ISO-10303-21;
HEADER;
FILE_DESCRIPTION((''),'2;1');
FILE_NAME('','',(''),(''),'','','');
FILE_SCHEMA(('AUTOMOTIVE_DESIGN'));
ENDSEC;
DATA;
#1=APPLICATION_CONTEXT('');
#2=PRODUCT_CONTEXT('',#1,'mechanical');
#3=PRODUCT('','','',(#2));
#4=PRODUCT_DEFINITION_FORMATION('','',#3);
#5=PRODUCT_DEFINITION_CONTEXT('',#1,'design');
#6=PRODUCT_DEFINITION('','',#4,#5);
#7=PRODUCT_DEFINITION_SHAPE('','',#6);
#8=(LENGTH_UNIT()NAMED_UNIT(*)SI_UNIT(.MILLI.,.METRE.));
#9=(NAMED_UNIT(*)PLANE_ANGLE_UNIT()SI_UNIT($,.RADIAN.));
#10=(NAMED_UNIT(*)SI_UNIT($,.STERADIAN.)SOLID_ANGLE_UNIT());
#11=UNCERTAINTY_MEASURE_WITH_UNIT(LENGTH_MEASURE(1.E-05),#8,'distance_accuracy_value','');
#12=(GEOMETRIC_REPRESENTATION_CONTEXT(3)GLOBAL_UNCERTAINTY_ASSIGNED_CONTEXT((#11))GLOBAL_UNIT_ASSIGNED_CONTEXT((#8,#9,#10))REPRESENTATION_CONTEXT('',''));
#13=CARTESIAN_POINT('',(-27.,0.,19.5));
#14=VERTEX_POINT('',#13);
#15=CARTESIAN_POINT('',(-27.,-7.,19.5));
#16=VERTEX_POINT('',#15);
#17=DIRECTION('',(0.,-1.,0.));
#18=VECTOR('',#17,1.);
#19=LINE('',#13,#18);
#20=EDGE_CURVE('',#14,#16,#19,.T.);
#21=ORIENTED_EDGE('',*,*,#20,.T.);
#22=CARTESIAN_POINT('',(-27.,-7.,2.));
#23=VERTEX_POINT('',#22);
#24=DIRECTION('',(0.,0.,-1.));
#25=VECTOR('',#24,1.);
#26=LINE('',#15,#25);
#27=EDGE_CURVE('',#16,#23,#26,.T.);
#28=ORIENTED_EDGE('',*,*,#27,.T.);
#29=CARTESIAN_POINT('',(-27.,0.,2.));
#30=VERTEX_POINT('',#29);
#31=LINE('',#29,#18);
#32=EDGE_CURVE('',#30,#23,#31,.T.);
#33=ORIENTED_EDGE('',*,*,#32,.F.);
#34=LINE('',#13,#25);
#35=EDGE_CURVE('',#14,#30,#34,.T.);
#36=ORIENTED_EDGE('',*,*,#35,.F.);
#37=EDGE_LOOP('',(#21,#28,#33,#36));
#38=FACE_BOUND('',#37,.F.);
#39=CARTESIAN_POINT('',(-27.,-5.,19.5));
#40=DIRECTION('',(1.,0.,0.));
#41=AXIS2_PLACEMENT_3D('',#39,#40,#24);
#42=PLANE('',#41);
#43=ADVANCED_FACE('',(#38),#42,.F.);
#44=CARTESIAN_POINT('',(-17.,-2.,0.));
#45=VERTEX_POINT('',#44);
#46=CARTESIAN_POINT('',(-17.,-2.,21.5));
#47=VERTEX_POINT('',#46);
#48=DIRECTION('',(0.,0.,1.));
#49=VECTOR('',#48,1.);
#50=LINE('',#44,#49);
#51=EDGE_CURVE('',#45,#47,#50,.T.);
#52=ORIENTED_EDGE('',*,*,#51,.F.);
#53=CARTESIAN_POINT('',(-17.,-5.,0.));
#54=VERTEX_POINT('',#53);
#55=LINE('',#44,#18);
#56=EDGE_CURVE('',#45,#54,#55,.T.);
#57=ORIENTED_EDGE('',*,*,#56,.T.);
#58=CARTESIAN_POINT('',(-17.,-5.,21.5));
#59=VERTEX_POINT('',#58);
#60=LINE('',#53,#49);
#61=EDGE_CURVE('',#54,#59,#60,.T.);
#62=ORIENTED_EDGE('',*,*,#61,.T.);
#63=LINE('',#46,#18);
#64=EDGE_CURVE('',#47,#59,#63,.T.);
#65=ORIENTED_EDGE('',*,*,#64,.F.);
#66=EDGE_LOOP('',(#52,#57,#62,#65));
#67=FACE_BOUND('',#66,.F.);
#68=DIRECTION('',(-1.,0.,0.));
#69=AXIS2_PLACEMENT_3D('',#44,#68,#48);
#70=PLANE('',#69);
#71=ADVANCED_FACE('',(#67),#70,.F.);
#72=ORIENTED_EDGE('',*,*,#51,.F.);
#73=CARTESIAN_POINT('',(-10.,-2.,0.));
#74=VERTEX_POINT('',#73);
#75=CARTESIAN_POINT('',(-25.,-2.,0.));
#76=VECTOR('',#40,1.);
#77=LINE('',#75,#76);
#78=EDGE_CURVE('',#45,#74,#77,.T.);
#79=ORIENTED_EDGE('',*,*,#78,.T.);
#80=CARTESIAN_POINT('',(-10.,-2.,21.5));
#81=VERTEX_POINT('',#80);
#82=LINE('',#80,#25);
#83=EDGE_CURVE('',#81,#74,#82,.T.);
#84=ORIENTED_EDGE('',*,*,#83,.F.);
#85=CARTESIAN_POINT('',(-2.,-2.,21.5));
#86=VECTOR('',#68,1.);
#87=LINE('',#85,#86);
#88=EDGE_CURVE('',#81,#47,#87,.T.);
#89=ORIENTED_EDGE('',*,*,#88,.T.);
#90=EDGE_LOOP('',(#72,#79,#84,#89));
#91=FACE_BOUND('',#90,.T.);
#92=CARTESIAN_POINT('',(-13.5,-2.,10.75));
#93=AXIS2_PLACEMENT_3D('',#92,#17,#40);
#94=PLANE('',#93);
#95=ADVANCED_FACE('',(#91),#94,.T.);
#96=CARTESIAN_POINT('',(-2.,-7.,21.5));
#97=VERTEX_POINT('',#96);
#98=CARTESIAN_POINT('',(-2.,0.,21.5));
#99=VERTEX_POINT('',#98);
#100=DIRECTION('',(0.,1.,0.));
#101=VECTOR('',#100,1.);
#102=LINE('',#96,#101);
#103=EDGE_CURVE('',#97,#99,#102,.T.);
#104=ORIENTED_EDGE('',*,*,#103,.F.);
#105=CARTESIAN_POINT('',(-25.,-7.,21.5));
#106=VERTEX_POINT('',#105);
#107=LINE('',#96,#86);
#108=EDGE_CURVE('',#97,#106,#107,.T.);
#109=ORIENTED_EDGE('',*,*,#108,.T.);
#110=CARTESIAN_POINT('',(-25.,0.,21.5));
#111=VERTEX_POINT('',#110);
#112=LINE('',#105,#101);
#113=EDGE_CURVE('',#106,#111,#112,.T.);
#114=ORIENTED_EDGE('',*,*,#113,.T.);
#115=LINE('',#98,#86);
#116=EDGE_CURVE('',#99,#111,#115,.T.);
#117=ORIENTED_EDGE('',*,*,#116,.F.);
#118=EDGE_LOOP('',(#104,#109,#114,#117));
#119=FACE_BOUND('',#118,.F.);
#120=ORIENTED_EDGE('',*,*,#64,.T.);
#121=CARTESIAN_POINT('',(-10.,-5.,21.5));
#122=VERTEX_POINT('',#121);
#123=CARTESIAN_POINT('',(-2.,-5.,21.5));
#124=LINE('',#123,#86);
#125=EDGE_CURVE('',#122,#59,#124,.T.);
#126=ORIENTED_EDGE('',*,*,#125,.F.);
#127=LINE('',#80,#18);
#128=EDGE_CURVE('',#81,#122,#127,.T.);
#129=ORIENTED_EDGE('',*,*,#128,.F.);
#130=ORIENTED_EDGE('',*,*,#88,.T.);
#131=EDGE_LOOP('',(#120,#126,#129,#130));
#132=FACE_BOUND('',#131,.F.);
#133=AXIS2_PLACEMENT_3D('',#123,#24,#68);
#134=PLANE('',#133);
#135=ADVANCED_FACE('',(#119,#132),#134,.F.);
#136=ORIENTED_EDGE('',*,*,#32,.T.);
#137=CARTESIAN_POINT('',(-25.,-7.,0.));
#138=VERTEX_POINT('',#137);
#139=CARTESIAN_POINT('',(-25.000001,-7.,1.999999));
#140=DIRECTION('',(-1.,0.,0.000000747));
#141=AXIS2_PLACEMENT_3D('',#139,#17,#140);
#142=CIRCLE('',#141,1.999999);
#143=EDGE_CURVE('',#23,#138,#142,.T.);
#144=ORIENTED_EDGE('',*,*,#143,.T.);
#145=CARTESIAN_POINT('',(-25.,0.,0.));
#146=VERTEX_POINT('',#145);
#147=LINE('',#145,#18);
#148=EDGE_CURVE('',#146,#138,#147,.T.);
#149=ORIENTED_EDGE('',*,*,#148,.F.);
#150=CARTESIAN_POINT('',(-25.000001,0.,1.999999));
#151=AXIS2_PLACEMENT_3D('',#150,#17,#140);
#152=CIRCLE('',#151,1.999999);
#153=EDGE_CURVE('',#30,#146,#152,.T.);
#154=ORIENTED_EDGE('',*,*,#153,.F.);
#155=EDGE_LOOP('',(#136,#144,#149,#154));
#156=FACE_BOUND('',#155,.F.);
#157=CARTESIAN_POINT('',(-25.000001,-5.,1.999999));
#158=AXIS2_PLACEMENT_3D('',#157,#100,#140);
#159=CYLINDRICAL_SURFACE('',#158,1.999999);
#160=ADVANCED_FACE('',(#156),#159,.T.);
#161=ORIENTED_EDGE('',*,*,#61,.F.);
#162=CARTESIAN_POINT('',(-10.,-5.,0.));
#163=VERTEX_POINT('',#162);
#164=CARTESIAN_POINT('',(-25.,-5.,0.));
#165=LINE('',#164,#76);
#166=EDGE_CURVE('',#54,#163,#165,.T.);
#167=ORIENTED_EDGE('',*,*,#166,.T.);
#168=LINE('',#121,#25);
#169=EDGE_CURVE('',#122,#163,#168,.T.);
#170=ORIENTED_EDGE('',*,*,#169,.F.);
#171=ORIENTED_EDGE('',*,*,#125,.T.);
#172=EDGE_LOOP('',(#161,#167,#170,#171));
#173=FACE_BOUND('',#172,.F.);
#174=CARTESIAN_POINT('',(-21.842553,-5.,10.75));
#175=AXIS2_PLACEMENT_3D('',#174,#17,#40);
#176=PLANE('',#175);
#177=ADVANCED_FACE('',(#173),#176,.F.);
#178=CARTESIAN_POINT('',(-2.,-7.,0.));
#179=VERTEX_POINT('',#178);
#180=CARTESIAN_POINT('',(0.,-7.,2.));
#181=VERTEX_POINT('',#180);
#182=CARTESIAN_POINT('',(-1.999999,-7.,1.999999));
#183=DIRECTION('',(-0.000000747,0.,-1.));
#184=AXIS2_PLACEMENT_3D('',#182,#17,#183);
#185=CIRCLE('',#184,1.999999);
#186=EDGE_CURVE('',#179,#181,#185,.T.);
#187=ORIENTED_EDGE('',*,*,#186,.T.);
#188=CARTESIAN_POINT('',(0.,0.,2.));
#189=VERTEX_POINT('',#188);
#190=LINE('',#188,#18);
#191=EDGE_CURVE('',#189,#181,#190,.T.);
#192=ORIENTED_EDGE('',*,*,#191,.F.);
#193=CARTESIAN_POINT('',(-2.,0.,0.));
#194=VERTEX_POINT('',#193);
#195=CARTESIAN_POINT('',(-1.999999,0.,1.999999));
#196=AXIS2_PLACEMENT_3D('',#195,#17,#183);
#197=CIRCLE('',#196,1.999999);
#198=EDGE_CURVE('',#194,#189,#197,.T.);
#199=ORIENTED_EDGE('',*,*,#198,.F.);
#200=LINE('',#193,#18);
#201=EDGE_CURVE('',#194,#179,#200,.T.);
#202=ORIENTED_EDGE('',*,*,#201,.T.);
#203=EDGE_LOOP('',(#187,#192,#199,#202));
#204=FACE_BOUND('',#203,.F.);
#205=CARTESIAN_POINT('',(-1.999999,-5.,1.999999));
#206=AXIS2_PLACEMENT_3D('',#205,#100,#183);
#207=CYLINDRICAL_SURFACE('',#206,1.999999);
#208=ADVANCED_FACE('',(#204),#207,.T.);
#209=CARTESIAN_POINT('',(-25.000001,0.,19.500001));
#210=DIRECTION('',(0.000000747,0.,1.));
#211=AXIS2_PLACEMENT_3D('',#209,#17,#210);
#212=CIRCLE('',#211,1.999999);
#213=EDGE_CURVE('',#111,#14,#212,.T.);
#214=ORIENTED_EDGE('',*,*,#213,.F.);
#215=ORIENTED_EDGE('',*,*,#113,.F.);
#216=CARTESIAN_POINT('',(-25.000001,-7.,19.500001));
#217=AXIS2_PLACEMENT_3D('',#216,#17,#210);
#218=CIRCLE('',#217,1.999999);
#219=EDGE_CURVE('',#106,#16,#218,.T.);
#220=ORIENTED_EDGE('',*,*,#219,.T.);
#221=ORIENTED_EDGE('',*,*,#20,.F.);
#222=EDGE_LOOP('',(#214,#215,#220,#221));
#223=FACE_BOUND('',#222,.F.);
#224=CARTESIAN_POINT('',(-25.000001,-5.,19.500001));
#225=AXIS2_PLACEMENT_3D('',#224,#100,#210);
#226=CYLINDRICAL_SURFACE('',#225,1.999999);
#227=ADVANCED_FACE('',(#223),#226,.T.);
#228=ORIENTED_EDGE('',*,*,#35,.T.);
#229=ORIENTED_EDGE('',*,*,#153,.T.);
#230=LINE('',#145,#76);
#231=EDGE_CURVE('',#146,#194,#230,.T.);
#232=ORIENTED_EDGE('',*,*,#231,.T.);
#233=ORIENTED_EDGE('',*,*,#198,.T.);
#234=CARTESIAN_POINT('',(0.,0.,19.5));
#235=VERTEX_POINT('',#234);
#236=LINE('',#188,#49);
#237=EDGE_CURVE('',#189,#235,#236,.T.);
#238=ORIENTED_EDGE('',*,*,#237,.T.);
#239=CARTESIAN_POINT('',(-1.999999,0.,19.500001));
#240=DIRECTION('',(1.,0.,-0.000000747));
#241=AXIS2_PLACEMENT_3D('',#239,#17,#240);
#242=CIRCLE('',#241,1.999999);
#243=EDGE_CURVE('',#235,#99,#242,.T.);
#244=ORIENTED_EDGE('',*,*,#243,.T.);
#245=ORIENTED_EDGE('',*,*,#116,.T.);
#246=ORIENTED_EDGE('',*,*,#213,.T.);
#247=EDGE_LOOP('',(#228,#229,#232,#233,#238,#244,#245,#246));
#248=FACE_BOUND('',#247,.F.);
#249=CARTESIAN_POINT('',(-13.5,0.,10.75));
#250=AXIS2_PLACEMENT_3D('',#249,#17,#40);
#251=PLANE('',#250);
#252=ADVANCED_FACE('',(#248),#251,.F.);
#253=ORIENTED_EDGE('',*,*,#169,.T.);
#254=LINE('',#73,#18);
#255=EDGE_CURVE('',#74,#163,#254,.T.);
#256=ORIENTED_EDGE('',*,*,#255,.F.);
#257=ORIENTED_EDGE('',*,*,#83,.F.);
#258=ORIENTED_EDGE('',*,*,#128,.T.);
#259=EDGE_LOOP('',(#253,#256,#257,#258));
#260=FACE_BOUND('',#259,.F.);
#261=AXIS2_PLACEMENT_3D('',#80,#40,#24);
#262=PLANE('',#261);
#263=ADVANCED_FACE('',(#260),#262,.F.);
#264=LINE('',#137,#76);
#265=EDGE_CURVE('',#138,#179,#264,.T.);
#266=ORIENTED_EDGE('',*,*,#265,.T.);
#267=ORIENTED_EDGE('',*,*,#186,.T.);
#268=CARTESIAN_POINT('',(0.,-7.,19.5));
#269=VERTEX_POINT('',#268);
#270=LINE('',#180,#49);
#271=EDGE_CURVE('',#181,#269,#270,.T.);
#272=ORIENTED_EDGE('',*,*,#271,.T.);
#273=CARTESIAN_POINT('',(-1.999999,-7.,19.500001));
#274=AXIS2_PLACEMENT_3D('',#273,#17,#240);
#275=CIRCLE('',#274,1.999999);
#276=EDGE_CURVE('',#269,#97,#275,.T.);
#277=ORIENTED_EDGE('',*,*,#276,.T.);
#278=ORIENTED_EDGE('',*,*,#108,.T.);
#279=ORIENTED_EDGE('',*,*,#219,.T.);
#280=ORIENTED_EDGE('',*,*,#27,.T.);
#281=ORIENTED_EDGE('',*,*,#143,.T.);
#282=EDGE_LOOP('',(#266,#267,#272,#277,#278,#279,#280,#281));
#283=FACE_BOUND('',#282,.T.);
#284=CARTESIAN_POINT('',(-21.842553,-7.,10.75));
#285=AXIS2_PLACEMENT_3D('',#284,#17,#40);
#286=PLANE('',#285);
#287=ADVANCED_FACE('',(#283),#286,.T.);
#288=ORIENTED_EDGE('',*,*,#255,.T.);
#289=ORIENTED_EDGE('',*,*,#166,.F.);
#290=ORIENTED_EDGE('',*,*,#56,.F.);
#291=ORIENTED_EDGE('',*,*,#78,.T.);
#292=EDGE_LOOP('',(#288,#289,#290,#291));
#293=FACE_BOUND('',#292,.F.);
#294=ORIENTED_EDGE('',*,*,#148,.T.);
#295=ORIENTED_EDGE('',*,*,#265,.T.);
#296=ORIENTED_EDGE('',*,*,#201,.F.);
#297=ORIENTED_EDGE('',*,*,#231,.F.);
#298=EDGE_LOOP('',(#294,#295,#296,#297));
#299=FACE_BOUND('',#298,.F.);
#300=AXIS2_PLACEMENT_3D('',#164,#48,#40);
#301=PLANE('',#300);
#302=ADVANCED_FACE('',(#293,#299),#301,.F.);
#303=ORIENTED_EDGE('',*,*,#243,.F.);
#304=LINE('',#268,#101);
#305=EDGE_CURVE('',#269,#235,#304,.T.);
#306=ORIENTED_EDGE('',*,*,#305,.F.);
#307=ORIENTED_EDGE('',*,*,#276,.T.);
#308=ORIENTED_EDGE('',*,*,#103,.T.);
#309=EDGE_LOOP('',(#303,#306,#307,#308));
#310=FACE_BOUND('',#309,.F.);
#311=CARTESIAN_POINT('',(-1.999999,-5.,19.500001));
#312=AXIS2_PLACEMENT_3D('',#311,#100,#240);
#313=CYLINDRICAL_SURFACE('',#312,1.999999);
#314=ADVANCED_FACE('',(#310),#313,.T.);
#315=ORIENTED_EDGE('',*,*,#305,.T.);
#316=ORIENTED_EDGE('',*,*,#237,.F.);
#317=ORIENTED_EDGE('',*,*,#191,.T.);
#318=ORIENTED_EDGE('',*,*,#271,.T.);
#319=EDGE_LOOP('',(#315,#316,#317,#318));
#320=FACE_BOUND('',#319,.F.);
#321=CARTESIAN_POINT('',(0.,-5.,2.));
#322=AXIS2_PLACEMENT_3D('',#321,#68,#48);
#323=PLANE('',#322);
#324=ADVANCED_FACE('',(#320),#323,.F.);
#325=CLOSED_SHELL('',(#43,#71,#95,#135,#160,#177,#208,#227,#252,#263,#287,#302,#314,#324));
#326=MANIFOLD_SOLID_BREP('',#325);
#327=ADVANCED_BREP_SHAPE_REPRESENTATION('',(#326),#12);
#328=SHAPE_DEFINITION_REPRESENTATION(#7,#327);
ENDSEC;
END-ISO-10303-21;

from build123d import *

# Parameters (mm, degrees)
F1_DEPTH = 2
F3_DEPTH = 3
F5_DEPTH = 2


with BuildPart() as f1:
    # F0 (on Front) → F1 (new body)
    with BuildSketch(Plane.XZ):
        with BuildLine():
            Line((-25, 0), (-2, 0))
            ThreePointArc((-2, 0), (-0.585786, 0.585786), (0, 2))
            Line((0, 2), (0, 19.5))
            ThreePointArc((0, 19.5), (-0.585786, 20.914214), (-2, 21.5))
            Line((-2, 21.5), (-25, 21.5))
            ThreePointArc((-25, 21.5), (-26.414214, 20.914214), (-27, 19.5))
            Line((-27, 19.5), (-27, 2))
            ThreePointArc((-27, 2), (-26.414214, 0.585786), (-25, 0))
        make_face()
    extrude(amount=F1_DEPTH)

    # F2 (on face) → F3 (join)
    with BuildSketch(Plane.XZ.offset(2)):
        with BuildLine():
            Line((-25, 0), (-17, 0))
            Line((-17, 0), (-17, 21.5))
            Line((-17, 21.5), (-25, 21.5))
            ThreePointArc((-25, 21.5), (-26.414214, 20.914214), (-27, 19.5))
            Line((-27, 19.5), (-27, 2))
            ThreePointArc((-27, 2), (-26.414214, 0.585786), (-25, 0))
        make_face()
        with BuildLine():
            Line((-10, 0), (-2, 0))
            ThreePointArc((-2, 0), (-0.585786, 0.585786), (0, 2))
            Line((0, 2), (0, 19.5))
            ThreePointArc((0, 19.5), (-0.585786, 20.914214), (-2, 21.5))
            Line((-2, 21.5), (-10, 21.5))
            Line((-10, 21.5), (-10, 0))
        make_face()
    extrude(amount=F3_DEPTH)

    # F4 (on face) → F5 (join)
    with BuildSketch(Plane.XZ.offset(5)):
        with BuildLine():
            Line((-17, 21.5), (-25, 21.5))
            ThreePointArc((-25, 21.5), (-26.414214, 20.914214), (-27, 19.5))
            Line((-27, 19.5), (-27, 2))
            ThreePointArc((-27, 2), (-26.414214, 0.585786), (-25, 0))
            Line((-25, 0), (-17, 0))
            Line((-17, 0), (-17, 21.5))
        make_face()
        with BuildLine():
            Line((-2, 21.5), (-17, 21.5))
            Line((-17, 21.5), (-17, 0))
            Line((-17, 0), (-2, 0))
            ThreePointArc((-2, 0), (-0.585786, 0.585786), (0, 2))
            Line((0, 2), (0, 19.5))
            ThreePointArc((0, 19.5), (-0.585786, 20.914214), (-2, 21.5))
        make_face()
    extrude(amount=F5_DEPTH)


solid = f1.part
